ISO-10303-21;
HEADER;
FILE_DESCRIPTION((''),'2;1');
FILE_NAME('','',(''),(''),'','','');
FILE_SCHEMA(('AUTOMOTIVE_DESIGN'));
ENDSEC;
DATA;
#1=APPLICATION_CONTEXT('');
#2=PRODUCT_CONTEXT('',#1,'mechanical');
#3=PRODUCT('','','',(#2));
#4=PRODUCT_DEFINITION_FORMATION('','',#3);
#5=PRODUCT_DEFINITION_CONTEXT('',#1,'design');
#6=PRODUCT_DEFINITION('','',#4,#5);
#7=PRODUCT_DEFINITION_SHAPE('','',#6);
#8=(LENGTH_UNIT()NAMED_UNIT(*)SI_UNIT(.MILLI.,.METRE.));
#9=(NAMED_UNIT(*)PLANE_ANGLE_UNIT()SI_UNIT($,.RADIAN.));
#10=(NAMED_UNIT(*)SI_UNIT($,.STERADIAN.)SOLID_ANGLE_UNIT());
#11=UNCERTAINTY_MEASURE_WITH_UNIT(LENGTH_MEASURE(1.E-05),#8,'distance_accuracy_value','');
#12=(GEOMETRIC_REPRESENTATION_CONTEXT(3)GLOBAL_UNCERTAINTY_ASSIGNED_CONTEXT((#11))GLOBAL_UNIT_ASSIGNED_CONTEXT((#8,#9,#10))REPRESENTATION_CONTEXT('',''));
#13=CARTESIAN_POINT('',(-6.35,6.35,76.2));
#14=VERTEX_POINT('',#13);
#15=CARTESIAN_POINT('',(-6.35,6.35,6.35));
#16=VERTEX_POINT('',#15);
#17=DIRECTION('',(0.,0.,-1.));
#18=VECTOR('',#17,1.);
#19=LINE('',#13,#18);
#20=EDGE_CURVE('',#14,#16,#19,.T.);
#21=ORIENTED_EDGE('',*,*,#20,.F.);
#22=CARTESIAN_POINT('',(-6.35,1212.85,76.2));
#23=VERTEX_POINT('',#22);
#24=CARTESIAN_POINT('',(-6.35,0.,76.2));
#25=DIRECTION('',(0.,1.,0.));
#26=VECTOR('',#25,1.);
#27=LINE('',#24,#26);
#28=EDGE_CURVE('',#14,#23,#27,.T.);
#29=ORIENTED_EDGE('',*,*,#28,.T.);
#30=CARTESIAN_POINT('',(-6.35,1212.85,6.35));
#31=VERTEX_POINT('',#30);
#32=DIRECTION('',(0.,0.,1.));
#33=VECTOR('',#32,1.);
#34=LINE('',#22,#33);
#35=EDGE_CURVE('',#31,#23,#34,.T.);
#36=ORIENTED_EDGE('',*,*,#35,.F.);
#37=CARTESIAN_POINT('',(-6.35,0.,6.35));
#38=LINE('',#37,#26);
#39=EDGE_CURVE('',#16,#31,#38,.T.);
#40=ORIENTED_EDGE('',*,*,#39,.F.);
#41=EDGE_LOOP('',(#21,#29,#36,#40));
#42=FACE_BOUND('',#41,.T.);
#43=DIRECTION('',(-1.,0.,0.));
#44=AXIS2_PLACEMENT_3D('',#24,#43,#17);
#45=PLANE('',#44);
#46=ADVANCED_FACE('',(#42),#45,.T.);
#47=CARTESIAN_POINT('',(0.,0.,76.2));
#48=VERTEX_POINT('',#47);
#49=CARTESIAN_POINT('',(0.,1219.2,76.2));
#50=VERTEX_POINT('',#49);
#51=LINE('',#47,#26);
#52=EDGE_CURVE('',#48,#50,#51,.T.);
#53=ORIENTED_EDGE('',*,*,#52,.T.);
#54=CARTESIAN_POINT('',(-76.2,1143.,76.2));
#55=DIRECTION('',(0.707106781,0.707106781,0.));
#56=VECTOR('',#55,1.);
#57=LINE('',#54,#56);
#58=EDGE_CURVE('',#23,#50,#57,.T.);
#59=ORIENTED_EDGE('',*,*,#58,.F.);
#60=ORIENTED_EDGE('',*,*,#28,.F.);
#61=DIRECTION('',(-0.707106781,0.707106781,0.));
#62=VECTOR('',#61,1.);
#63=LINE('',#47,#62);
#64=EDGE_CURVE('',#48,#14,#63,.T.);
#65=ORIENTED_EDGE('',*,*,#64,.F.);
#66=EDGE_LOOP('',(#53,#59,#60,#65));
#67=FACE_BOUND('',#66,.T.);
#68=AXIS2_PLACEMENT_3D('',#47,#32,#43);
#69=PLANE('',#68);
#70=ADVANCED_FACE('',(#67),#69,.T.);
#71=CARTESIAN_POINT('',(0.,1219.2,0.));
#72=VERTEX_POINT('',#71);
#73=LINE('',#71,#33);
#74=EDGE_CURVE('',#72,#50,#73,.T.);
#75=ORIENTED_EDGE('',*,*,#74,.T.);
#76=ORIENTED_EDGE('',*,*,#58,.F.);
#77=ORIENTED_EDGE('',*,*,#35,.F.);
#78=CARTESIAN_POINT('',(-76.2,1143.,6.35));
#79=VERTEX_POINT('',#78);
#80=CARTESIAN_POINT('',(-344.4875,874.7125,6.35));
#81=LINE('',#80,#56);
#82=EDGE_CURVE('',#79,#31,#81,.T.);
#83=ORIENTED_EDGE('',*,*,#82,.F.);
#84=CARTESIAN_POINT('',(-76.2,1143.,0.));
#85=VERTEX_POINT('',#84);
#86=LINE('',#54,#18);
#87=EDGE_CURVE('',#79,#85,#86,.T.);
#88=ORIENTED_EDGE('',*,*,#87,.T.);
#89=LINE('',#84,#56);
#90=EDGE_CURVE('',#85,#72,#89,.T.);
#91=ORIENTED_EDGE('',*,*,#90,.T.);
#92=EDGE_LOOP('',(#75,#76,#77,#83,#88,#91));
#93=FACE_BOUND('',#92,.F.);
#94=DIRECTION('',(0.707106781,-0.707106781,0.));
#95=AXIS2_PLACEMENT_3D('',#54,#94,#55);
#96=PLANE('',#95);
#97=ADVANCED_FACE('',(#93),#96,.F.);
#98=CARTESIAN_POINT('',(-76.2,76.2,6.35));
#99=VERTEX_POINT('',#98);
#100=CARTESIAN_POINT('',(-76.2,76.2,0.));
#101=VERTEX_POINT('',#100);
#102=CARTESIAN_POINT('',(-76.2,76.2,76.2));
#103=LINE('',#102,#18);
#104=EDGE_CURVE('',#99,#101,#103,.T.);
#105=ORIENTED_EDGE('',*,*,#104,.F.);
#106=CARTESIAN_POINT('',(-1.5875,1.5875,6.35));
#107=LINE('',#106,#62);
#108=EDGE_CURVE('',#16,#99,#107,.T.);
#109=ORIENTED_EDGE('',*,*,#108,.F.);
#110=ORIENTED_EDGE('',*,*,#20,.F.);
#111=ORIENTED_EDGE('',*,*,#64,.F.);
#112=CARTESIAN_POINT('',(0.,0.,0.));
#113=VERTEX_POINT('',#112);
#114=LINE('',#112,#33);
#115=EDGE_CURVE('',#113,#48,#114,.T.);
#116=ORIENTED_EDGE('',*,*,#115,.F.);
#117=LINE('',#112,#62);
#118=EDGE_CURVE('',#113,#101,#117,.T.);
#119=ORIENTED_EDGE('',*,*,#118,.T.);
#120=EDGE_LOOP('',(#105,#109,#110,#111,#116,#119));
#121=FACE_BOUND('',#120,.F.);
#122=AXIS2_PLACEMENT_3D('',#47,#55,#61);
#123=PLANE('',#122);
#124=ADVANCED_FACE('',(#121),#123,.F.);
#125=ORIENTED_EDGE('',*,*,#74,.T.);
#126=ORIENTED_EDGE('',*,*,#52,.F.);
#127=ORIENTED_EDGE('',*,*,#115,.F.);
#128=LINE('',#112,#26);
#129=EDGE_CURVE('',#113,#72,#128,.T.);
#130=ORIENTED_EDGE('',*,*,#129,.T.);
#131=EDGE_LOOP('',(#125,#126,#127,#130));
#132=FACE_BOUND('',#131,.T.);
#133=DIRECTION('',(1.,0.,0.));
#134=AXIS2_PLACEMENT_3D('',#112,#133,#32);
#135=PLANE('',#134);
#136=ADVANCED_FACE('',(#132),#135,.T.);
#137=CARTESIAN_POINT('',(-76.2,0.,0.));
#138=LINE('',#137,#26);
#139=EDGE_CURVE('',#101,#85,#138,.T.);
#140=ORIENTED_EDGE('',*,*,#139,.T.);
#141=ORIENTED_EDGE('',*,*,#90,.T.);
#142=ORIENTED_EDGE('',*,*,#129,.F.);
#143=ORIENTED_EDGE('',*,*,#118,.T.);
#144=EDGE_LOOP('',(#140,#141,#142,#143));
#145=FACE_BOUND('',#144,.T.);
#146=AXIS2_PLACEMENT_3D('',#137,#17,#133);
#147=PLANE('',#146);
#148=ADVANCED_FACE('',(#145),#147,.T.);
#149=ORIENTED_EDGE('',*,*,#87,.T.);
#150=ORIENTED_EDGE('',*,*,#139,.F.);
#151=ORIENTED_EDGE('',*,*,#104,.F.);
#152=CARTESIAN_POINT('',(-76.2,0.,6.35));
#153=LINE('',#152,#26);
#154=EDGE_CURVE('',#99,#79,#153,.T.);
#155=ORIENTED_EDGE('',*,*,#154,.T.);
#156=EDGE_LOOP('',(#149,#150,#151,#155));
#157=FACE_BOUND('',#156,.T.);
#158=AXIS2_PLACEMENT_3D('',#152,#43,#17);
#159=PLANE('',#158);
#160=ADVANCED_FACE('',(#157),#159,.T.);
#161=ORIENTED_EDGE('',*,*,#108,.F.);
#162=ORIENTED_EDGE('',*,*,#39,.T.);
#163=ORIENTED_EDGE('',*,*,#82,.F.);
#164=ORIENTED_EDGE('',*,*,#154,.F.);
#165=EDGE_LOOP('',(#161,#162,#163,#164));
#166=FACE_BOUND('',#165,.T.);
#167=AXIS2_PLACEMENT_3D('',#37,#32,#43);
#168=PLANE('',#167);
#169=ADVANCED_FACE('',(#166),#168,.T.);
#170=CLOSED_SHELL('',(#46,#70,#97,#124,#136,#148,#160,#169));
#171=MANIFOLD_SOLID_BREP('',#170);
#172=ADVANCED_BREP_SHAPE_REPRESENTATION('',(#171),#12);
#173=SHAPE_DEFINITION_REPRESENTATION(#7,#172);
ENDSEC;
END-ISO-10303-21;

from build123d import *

# Parameters (mm, degrees)
F1_DEPTH = 1219.2
F3_DEPTH = 76.2


with BuildPart() as f1:
    # F0 (on Front) → F1 (new body)
    with BuildSketch(Plane.XZ):
        Polygon((0, 0), (0, 76.2), (-6.35, 76.2), (-6.35, 6.35), (-76.2, 6.35), (-76.2, 0), align=None)
    extrude(amount=-F1_DEPTH)

    # F2 (on face) → F3 (cut)
    with BuildSketch(Plane.XY.offset(76.2)):
        Polygon((0, 1219.2), (-76.2, 1219.2), (-76.2, 1143), align=None)
        Polygon((-76.2, 0), (0, 0), (-76.2, 76.2), align=None)
    extrude(amount=-F3_DEPTH, mode=Mode.SUBTRACT)


solid = f1.part
